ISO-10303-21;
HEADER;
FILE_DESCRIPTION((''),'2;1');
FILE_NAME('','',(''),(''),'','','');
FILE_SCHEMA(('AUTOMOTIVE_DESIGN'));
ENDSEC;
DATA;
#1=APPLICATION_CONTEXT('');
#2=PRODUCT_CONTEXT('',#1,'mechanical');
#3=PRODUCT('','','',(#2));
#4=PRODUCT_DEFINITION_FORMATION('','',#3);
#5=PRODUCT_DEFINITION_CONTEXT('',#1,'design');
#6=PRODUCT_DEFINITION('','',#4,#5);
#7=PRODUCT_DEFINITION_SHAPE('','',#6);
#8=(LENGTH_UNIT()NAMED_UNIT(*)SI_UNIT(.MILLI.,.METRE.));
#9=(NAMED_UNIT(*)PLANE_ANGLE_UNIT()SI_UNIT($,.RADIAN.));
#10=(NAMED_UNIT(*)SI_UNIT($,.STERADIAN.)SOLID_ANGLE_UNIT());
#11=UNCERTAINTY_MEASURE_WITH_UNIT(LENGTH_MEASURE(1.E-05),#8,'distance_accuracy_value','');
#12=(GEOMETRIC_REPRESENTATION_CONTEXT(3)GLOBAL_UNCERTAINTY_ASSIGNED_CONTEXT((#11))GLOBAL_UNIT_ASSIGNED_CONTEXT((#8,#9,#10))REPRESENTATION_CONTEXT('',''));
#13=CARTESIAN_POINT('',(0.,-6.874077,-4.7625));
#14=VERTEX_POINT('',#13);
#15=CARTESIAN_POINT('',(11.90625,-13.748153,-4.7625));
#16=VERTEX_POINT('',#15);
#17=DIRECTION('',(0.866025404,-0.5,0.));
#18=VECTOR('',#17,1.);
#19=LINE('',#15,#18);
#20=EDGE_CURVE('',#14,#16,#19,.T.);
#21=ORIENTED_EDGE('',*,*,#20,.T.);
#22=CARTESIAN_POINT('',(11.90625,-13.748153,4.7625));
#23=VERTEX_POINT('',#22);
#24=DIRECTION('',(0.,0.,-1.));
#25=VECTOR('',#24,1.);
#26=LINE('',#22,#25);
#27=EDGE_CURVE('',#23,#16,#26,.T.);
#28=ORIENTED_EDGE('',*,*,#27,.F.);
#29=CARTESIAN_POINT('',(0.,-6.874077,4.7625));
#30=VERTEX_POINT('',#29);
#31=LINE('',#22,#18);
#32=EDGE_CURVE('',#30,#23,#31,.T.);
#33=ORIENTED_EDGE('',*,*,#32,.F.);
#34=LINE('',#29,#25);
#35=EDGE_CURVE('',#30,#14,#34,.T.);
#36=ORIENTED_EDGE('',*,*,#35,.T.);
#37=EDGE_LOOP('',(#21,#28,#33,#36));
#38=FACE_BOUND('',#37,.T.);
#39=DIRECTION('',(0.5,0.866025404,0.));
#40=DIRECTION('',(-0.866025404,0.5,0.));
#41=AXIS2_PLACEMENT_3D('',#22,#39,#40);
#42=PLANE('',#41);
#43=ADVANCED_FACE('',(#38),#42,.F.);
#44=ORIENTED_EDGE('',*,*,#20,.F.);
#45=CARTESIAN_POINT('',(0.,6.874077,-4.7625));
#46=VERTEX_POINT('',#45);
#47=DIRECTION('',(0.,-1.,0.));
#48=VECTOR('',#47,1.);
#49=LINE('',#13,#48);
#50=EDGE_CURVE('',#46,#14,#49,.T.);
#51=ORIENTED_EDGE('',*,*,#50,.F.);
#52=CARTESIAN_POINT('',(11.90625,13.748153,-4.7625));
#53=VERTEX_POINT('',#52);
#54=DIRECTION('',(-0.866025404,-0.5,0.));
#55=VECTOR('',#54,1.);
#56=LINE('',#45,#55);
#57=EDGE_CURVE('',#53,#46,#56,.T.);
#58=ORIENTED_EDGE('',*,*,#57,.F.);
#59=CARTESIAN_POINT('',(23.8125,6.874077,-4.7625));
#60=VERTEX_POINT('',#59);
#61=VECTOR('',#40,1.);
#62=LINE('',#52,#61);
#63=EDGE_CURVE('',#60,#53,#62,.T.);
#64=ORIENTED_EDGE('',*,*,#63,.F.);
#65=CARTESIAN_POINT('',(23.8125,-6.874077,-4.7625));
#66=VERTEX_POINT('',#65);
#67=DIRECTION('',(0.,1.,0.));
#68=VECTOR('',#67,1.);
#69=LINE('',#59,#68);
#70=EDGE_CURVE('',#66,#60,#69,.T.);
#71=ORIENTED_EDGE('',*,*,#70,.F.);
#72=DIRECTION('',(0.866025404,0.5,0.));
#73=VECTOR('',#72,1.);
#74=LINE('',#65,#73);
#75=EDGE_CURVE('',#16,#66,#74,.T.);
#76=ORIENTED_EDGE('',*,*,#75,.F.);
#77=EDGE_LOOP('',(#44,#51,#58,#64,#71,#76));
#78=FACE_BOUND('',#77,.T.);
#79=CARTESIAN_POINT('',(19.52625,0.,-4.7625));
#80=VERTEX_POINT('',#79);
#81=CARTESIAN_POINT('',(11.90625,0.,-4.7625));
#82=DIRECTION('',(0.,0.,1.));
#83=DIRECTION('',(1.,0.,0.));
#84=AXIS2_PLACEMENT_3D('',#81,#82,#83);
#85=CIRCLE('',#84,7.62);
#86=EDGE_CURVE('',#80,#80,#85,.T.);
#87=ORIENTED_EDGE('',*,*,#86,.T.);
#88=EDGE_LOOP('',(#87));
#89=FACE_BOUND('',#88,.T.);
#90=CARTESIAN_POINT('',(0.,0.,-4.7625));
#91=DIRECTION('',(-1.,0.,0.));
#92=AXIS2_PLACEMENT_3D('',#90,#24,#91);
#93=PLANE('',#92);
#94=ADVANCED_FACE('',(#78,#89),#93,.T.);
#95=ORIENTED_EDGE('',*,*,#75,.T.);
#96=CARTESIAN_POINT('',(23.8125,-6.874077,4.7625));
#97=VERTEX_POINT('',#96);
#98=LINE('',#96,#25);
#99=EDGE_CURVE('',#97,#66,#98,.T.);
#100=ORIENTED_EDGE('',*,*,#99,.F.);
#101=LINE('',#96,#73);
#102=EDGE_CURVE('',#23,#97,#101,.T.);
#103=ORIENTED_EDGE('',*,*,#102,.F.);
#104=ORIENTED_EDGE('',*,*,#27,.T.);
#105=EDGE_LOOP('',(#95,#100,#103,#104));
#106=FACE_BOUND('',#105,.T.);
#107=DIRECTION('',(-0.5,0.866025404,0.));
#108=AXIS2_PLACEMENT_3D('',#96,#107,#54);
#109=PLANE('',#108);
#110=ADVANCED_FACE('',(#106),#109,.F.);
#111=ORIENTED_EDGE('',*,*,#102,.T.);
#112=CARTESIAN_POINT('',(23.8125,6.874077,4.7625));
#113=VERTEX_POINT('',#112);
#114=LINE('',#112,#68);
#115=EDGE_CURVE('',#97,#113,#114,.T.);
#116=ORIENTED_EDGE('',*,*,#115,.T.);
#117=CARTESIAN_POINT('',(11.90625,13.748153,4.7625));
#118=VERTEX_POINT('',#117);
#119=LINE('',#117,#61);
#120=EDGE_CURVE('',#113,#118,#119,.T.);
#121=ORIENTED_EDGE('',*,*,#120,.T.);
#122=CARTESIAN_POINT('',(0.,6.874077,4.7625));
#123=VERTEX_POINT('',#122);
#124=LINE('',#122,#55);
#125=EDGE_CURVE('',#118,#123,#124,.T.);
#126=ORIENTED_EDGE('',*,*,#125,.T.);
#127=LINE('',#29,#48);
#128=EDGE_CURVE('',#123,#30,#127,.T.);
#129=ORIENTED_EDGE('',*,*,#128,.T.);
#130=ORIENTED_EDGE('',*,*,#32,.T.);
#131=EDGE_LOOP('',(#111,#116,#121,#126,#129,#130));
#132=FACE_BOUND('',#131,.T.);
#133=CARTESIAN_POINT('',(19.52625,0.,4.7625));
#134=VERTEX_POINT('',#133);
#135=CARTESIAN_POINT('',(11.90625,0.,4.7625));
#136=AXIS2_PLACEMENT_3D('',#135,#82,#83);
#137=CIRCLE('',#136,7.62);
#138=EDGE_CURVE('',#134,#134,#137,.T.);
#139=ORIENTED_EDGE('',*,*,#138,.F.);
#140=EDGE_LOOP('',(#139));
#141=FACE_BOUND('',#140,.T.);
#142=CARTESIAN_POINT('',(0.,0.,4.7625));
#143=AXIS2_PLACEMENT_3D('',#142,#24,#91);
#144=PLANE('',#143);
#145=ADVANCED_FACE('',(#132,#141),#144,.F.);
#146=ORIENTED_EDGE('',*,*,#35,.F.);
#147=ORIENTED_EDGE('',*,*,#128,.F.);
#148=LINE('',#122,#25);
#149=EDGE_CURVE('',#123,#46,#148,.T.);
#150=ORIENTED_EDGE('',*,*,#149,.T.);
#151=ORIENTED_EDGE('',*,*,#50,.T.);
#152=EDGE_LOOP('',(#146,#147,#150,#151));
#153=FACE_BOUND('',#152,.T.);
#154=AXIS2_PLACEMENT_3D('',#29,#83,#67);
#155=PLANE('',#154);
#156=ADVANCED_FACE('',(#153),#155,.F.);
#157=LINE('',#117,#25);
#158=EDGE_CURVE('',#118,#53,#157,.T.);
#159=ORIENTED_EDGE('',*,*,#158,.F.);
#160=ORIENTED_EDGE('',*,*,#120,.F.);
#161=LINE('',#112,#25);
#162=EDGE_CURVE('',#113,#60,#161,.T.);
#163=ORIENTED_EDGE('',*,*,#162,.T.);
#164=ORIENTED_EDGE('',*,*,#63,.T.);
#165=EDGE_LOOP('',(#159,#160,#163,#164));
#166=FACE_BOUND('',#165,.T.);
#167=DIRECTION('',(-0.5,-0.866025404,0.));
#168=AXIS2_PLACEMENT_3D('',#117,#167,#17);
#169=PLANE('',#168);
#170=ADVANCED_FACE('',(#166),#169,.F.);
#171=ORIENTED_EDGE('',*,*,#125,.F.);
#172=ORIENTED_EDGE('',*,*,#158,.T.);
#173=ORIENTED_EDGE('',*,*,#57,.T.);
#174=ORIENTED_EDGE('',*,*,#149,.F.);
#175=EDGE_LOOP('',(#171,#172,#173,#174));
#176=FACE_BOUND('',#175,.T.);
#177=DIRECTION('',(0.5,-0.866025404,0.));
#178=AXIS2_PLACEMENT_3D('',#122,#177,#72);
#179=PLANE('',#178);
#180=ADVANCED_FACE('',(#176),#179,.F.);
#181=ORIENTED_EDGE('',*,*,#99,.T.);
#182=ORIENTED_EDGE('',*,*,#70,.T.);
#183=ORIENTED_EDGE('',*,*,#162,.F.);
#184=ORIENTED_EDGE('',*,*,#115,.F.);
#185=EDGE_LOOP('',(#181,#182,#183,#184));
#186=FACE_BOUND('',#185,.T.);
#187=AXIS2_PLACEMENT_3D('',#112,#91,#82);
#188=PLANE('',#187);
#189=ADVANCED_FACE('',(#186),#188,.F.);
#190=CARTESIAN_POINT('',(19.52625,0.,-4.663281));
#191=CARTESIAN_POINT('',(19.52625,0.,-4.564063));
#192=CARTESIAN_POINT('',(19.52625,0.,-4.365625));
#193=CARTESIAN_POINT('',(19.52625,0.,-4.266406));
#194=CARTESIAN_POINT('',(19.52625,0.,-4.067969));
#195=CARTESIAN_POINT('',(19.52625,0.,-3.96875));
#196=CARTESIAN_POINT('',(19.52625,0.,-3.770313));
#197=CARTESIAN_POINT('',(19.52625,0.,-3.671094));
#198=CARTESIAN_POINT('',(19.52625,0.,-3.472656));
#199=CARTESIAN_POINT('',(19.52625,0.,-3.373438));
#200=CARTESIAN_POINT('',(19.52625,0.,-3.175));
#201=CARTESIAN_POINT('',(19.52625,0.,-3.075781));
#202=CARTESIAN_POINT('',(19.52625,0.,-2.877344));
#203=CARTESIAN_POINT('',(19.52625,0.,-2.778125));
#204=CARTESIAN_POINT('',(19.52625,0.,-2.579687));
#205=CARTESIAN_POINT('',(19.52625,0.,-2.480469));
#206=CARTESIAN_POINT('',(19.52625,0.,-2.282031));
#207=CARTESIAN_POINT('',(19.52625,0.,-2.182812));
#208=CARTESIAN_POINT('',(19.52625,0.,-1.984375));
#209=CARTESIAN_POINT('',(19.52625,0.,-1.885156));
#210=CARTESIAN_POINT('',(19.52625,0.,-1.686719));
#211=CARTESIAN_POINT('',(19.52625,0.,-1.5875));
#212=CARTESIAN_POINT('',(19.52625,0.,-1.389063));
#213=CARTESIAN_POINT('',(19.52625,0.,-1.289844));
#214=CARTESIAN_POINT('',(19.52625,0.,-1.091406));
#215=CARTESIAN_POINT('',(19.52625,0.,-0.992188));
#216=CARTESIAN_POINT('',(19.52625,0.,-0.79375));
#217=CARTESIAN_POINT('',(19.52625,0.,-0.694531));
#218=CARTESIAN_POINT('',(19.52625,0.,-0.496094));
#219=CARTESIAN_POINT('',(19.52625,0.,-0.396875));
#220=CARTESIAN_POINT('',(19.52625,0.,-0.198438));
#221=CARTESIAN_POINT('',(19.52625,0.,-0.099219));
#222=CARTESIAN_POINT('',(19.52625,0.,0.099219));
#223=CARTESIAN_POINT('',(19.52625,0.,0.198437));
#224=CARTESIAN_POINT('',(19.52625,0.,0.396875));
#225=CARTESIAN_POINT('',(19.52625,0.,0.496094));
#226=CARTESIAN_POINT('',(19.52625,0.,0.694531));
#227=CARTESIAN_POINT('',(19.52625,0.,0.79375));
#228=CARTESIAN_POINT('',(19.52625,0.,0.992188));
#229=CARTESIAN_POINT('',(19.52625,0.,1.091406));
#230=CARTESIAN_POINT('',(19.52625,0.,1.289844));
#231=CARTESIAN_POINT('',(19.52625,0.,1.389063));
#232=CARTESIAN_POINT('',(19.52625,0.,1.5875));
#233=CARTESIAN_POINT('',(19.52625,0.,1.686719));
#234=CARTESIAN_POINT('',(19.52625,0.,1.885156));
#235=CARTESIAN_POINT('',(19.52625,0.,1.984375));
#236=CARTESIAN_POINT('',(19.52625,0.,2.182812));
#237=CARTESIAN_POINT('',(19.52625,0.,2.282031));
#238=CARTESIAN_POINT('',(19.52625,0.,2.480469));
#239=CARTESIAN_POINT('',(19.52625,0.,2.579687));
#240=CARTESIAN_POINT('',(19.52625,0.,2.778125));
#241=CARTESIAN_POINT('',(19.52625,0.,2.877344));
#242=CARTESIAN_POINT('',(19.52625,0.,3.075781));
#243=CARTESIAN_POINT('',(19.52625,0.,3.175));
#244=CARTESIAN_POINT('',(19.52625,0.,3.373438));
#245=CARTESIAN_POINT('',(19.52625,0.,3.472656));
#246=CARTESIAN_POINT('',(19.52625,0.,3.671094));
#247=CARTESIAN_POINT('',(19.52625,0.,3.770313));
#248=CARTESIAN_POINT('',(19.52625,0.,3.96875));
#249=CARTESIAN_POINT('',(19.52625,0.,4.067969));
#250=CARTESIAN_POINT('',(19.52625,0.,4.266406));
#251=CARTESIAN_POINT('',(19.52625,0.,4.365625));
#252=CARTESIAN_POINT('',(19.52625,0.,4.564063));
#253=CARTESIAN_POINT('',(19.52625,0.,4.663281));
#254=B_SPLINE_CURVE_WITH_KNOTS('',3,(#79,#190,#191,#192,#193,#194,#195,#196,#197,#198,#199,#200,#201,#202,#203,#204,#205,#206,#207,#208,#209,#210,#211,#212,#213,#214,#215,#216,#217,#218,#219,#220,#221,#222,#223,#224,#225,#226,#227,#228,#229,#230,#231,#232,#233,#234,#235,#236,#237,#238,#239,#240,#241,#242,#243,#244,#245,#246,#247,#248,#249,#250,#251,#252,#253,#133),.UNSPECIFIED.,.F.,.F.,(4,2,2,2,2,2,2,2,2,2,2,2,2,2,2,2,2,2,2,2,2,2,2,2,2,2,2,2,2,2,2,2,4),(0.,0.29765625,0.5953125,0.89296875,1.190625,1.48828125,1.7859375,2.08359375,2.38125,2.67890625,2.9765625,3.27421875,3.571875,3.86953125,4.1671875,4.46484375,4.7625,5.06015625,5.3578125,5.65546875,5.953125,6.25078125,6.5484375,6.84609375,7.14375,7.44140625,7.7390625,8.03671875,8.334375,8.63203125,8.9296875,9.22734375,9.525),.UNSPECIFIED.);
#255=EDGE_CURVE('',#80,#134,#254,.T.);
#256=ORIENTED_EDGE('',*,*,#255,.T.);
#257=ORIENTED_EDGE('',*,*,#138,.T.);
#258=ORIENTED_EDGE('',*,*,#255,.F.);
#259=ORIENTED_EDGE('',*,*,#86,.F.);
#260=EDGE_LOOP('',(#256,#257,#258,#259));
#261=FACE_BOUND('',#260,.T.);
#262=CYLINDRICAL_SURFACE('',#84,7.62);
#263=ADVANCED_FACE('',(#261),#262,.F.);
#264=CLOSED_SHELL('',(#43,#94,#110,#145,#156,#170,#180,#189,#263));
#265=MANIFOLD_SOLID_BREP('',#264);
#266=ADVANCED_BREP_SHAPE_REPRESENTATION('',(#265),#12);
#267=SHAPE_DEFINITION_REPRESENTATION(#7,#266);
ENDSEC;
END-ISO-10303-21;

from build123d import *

# Parameters (mm, degrees)
BOSS_EXTRUDE1_DEPTH = 4.7625
SKETCH2_R           = 7.62
CUT_EXTRUDE1_DEPTH  = 30.099355663


with BuildPart() as part:
    # Sketch1 → Boss-Extrude1 (new, symmetric)
    with BuildSketch(Plane.XY):
        Polygon((0, -6.874076643), (0, 6.874076643), (11.90625, 13.748153285), (23.8125, 6.874076643), (23.8125, -6.874076643), (11.90625, -13.748153285), align=None)
    extrude(amount=BOSS_EXTRUDE1_DEPTH, both=True)

    # Sketch2 → Cut-Extrude1 (cut, through all)
    with BuildSketch(Plane.XY.offset(4.7625)):
        with Locations((11.90625, 0)):
            Circle(SKETCH2_R)
    extrude(amount=-CUT_EXTRUDE1_DEPTH, mode=Mode.SUBTRACT)


solid = part.part
